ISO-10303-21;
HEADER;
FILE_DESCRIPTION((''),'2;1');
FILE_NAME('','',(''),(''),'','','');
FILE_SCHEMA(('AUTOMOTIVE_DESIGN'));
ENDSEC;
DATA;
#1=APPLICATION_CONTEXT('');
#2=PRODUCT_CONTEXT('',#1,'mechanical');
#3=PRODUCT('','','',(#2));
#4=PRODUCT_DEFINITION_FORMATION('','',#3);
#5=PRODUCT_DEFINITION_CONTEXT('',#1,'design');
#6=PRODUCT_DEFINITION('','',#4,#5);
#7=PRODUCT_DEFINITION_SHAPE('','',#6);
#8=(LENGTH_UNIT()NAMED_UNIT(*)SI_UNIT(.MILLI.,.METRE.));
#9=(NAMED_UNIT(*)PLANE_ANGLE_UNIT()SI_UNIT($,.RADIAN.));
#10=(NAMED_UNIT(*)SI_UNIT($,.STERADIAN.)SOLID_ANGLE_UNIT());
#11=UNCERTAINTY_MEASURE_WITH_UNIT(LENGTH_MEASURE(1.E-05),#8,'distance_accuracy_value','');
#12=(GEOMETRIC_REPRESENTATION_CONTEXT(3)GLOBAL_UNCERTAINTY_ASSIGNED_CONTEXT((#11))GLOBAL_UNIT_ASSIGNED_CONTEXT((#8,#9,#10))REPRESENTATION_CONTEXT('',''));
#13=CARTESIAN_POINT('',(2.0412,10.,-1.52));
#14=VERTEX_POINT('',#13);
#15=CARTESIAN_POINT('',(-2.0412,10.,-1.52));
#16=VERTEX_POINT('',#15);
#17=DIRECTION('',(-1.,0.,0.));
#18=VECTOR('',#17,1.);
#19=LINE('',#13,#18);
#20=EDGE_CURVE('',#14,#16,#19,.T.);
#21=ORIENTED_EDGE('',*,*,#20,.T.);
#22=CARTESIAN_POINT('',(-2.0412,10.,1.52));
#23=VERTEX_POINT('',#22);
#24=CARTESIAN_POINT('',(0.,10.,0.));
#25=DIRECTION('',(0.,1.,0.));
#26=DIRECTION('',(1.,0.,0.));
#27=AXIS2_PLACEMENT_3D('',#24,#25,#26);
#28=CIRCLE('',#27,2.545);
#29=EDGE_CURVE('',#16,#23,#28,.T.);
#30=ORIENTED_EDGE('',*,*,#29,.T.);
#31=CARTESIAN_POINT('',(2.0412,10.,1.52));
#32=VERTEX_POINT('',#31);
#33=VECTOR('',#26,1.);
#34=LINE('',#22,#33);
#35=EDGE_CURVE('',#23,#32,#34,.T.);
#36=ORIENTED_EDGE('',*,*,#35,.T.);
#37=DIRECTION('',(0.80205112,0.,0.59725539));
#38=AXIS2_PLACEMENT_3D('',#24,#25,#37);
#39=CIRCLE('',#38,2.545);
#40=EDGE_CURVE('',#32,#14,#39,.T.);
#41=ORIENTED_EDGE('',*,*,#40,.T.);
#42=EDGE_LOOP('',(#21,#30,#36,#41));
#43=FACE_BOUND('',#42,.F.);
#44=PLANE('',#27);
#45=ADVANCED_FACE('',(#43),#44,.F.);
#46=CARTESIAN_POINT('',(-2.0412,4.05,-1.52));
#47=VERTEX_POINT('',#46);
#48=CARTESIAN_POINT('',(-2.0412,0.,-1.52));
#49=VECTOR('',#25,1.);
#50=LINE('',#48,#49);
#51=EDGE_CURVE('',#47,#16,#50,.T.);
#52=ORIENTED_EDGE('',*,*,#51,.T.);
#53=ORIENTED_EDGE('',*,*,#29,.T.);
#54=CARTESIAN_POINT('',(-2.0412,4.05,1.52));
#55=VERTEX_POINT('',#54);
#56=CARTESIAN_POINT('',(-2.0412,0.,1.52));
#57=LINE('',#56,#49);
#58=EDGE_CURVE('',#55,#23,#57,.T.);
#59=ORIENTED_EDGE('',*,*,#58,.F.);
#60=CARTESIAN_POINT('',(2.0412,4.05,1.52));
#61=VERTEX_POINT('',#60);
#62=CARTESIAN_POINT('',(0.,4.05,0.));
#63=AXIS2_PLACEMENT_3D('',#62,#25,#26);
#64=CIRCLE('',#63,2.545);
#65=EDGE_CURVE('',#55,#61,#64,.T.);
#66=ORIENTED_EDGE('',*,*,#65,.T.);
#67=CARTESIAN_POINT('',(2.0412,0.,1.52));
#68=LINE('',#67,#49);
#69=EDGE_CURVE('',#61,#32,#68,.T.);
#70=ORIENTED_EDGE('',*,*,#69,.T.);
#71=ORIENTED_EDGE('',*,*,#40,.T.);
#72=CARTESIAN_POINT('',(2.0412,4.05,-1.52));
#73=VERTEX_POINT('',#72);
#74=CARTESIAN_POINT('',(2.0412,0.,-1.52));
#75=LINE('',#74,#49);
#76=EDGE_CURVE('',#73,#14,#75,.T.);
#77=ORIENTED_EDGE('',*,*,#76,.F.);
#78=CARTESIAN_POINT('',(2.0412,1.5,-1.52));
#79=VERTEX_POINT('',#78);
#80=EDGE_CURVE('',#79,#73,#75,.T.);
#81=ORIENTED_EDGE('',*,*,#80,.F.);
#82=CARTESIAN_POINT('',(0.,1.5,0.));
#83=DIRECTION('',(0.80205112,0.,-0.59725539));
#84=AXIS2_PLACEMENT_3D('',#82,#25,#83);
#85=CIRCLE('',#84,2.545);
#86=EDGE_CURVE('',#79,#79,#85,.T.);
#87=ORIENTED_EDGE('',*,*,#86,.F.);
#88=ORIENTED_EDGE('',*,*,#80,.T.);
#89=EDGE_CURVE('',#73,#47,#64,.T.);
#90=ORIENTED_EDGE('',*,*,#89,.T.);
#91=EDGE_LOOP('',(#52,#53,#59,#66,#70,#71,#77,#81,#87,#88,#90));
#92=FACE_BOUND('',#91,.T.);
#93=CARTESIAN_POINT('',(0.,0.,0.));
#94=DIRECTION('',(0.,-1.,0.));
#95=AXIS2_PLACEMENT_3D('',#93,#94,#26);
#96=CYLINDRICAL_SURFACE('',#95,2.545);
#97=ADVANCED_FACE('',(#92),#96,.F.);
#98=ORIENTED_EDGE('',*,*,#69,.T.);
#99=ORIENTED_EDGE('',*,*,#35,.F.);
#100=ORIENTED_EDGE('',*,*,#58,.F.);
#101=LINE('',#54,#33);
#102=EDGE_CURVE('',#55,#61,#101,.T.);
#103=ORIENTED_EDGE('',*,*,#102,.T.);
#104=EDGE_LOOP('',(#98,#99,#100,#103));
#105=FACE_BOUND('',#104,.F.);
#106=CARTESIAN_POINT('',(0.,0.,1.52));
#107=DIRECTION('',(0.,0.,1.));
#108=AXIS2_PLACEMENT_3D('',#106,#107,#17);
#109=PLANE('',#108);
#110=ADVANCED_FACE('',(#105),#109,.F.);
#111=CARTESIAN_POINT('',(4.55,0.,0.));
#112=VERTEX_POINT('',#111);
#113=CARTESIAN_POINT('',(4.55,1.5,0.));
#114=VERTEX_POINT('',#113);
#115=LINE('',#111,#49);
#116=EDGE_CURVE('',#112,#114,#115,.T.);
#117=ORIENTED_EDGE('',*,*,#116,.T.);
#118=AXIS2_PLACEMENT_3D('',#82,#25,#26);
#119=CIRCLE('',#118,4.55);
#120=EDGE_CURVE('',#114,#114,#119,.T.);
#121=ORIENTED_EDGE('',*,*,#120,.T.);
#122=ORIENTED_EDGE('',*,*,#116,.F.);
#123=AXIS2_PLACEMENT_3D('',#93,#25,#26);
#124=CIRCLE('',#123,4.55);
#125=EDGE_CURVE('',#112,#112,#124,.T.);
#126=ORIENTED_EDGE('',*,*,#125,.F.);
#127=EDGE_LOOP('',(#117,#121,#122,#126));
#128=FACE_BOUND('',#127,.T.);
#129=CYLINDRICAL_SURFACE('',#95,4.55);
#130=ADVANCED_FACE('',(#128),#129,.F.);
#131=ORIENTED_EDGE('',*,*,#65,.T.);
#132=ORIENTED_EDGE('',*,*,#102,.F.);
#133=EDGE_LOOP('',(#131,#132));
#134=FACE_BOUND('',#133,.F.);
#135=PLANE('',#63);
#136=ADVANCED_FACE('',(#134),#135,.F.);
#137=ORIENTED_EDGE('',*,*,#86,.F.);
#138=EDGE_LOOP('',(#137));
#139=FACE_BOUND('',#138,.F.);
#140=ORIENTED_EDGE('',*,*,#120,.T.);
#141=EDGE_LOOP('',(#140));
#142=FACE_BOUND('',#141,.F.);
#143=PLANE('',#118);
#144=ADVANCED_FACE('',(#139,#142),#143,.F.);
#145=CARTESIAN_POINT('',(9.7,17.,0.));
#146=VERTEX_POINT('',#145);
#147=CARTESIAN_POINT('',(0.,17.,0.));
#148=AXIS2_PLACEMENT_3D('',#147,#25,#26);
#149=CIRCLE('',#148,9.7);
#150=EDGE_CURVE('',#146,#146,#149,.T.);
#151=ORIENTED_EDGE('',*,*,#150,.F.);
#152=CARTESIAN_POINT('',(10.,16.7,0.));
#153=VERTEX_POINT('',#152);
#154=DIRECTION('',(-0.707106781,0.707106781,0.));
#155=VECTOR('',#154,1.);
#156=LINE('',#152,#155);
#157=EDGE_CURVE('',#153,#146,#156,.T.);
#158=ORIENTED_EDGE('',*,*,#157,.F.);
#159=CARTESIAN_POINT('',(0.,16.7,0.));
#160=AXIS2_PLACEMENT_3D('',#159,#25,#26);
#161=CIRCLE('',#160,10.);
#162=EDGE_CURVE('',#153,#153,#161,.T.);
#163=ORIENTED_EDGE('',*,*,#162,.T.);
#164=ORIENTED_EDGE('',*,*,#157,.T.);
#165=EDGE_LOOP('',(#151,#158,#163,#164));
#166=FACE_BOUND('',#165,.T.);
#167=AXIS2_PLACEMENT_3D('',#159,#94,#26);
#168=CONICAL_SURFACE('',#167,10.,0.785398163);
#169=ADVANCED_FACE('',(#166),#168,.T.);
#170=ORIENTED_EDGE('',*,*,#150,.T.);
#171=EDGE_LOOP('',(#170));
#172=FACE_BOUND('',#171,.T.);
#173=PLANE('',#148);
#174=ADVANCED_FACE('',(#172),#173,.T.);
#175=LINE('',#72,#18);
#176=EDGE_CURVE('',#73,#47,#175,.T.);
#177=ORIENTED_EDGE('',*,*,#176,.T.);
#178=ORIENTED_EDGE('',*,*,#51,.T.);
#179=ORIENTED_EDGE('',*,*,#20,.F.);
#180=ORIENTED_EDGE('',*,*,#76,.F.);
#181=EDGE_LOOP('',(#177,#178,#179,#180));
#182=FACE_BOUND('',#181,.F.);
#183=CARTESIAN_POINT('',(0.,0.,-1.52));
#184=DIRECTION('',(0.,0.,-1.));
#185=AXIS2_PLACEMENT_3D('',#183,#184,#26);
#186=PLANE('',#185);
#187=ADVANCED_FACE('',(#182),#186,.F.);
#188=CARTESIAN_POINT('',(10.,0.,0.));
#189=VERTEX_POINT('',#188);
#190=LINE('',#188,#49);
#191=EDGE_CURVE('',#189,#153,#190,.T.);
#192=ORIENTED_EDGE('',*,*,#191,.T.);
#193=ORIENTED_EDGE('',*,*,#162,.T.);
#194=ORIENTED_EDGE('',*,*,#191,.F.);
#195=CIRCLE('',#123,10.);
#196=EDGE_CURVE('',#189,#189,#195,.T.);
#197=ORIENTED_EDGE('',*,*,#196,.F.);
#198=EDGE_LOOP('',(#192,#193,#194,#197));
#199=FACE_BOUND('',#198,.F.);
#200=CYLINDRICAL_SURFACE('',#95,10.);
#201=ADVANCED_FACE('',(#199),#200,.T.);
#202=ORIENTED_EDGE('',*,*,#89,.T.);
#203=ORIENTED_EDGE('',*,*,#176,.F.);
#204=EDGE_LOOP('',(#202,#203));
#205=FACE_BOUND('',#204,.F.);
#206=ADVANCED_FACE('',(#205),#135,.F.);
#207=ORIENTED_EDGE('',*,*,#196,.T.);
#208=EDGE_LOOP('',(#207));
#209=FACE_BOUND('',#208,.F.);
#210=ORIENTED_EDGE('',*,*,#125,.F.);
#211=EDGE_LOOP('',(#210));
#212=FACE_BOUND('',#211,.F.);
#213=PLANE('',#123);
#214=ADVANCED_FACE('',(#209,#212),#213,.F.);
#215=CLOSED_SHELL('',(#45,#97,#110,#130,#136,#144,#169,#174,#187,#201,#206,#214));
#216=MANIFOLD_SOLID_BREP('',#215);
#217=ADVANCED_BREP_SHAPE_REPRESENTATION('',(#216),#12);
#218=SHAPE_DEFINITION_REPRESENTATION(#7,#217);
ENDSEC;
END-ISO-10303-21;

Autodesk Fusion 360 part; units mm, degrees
sketch "Sketch1" plane through (0, 0, 0) normal (0, 1, 0) x (1, 0, 0)
  circle A0 centre (0, 0) radius 10
  circle A1 centre (0, 0) radius 4.55
  circle A2 centre (0, 0) radius 2.545
  line L0 (0, 1.52) -> (2.0412, 1.52)
  line L1 (0, 1.52) -> (-2.0412, 1.52)
  line L2 (0, -1.52) -> (-2.0412, -1.52)
  line L3 (0, -1.52) -> (2.0412, -1.52)
  dimension "d1" = 20
  dimension "d2" = 9.1
  dimension "d3" = 5.09
  dimension "d4" = 1.52
  dimension "d6" = 1.52
extrude "Extrude1" add sketch "Sketch1" along normal blind 17 contours A0 | A1 | A2 L0 L1 L2 L3 | A2 L0 L1 | A2 L2 L3
extrude "Extrude2" cut sketch "Sketch1" along normal blind 10 contours A2 L0 L1 L2 L3
extrude "Extrude3" cut sketch "Sketch1" along normal blind 4.05 contours A2 L0 L1 | A2 L2 L3
extrude "Extrude4" cut sketch "Sketch1" along normal blind 1.5 contours A1
chamfer "Chamfer1" distance 0.3 angle 45 1 edges at (-9.3233, 17, 3.6162)
